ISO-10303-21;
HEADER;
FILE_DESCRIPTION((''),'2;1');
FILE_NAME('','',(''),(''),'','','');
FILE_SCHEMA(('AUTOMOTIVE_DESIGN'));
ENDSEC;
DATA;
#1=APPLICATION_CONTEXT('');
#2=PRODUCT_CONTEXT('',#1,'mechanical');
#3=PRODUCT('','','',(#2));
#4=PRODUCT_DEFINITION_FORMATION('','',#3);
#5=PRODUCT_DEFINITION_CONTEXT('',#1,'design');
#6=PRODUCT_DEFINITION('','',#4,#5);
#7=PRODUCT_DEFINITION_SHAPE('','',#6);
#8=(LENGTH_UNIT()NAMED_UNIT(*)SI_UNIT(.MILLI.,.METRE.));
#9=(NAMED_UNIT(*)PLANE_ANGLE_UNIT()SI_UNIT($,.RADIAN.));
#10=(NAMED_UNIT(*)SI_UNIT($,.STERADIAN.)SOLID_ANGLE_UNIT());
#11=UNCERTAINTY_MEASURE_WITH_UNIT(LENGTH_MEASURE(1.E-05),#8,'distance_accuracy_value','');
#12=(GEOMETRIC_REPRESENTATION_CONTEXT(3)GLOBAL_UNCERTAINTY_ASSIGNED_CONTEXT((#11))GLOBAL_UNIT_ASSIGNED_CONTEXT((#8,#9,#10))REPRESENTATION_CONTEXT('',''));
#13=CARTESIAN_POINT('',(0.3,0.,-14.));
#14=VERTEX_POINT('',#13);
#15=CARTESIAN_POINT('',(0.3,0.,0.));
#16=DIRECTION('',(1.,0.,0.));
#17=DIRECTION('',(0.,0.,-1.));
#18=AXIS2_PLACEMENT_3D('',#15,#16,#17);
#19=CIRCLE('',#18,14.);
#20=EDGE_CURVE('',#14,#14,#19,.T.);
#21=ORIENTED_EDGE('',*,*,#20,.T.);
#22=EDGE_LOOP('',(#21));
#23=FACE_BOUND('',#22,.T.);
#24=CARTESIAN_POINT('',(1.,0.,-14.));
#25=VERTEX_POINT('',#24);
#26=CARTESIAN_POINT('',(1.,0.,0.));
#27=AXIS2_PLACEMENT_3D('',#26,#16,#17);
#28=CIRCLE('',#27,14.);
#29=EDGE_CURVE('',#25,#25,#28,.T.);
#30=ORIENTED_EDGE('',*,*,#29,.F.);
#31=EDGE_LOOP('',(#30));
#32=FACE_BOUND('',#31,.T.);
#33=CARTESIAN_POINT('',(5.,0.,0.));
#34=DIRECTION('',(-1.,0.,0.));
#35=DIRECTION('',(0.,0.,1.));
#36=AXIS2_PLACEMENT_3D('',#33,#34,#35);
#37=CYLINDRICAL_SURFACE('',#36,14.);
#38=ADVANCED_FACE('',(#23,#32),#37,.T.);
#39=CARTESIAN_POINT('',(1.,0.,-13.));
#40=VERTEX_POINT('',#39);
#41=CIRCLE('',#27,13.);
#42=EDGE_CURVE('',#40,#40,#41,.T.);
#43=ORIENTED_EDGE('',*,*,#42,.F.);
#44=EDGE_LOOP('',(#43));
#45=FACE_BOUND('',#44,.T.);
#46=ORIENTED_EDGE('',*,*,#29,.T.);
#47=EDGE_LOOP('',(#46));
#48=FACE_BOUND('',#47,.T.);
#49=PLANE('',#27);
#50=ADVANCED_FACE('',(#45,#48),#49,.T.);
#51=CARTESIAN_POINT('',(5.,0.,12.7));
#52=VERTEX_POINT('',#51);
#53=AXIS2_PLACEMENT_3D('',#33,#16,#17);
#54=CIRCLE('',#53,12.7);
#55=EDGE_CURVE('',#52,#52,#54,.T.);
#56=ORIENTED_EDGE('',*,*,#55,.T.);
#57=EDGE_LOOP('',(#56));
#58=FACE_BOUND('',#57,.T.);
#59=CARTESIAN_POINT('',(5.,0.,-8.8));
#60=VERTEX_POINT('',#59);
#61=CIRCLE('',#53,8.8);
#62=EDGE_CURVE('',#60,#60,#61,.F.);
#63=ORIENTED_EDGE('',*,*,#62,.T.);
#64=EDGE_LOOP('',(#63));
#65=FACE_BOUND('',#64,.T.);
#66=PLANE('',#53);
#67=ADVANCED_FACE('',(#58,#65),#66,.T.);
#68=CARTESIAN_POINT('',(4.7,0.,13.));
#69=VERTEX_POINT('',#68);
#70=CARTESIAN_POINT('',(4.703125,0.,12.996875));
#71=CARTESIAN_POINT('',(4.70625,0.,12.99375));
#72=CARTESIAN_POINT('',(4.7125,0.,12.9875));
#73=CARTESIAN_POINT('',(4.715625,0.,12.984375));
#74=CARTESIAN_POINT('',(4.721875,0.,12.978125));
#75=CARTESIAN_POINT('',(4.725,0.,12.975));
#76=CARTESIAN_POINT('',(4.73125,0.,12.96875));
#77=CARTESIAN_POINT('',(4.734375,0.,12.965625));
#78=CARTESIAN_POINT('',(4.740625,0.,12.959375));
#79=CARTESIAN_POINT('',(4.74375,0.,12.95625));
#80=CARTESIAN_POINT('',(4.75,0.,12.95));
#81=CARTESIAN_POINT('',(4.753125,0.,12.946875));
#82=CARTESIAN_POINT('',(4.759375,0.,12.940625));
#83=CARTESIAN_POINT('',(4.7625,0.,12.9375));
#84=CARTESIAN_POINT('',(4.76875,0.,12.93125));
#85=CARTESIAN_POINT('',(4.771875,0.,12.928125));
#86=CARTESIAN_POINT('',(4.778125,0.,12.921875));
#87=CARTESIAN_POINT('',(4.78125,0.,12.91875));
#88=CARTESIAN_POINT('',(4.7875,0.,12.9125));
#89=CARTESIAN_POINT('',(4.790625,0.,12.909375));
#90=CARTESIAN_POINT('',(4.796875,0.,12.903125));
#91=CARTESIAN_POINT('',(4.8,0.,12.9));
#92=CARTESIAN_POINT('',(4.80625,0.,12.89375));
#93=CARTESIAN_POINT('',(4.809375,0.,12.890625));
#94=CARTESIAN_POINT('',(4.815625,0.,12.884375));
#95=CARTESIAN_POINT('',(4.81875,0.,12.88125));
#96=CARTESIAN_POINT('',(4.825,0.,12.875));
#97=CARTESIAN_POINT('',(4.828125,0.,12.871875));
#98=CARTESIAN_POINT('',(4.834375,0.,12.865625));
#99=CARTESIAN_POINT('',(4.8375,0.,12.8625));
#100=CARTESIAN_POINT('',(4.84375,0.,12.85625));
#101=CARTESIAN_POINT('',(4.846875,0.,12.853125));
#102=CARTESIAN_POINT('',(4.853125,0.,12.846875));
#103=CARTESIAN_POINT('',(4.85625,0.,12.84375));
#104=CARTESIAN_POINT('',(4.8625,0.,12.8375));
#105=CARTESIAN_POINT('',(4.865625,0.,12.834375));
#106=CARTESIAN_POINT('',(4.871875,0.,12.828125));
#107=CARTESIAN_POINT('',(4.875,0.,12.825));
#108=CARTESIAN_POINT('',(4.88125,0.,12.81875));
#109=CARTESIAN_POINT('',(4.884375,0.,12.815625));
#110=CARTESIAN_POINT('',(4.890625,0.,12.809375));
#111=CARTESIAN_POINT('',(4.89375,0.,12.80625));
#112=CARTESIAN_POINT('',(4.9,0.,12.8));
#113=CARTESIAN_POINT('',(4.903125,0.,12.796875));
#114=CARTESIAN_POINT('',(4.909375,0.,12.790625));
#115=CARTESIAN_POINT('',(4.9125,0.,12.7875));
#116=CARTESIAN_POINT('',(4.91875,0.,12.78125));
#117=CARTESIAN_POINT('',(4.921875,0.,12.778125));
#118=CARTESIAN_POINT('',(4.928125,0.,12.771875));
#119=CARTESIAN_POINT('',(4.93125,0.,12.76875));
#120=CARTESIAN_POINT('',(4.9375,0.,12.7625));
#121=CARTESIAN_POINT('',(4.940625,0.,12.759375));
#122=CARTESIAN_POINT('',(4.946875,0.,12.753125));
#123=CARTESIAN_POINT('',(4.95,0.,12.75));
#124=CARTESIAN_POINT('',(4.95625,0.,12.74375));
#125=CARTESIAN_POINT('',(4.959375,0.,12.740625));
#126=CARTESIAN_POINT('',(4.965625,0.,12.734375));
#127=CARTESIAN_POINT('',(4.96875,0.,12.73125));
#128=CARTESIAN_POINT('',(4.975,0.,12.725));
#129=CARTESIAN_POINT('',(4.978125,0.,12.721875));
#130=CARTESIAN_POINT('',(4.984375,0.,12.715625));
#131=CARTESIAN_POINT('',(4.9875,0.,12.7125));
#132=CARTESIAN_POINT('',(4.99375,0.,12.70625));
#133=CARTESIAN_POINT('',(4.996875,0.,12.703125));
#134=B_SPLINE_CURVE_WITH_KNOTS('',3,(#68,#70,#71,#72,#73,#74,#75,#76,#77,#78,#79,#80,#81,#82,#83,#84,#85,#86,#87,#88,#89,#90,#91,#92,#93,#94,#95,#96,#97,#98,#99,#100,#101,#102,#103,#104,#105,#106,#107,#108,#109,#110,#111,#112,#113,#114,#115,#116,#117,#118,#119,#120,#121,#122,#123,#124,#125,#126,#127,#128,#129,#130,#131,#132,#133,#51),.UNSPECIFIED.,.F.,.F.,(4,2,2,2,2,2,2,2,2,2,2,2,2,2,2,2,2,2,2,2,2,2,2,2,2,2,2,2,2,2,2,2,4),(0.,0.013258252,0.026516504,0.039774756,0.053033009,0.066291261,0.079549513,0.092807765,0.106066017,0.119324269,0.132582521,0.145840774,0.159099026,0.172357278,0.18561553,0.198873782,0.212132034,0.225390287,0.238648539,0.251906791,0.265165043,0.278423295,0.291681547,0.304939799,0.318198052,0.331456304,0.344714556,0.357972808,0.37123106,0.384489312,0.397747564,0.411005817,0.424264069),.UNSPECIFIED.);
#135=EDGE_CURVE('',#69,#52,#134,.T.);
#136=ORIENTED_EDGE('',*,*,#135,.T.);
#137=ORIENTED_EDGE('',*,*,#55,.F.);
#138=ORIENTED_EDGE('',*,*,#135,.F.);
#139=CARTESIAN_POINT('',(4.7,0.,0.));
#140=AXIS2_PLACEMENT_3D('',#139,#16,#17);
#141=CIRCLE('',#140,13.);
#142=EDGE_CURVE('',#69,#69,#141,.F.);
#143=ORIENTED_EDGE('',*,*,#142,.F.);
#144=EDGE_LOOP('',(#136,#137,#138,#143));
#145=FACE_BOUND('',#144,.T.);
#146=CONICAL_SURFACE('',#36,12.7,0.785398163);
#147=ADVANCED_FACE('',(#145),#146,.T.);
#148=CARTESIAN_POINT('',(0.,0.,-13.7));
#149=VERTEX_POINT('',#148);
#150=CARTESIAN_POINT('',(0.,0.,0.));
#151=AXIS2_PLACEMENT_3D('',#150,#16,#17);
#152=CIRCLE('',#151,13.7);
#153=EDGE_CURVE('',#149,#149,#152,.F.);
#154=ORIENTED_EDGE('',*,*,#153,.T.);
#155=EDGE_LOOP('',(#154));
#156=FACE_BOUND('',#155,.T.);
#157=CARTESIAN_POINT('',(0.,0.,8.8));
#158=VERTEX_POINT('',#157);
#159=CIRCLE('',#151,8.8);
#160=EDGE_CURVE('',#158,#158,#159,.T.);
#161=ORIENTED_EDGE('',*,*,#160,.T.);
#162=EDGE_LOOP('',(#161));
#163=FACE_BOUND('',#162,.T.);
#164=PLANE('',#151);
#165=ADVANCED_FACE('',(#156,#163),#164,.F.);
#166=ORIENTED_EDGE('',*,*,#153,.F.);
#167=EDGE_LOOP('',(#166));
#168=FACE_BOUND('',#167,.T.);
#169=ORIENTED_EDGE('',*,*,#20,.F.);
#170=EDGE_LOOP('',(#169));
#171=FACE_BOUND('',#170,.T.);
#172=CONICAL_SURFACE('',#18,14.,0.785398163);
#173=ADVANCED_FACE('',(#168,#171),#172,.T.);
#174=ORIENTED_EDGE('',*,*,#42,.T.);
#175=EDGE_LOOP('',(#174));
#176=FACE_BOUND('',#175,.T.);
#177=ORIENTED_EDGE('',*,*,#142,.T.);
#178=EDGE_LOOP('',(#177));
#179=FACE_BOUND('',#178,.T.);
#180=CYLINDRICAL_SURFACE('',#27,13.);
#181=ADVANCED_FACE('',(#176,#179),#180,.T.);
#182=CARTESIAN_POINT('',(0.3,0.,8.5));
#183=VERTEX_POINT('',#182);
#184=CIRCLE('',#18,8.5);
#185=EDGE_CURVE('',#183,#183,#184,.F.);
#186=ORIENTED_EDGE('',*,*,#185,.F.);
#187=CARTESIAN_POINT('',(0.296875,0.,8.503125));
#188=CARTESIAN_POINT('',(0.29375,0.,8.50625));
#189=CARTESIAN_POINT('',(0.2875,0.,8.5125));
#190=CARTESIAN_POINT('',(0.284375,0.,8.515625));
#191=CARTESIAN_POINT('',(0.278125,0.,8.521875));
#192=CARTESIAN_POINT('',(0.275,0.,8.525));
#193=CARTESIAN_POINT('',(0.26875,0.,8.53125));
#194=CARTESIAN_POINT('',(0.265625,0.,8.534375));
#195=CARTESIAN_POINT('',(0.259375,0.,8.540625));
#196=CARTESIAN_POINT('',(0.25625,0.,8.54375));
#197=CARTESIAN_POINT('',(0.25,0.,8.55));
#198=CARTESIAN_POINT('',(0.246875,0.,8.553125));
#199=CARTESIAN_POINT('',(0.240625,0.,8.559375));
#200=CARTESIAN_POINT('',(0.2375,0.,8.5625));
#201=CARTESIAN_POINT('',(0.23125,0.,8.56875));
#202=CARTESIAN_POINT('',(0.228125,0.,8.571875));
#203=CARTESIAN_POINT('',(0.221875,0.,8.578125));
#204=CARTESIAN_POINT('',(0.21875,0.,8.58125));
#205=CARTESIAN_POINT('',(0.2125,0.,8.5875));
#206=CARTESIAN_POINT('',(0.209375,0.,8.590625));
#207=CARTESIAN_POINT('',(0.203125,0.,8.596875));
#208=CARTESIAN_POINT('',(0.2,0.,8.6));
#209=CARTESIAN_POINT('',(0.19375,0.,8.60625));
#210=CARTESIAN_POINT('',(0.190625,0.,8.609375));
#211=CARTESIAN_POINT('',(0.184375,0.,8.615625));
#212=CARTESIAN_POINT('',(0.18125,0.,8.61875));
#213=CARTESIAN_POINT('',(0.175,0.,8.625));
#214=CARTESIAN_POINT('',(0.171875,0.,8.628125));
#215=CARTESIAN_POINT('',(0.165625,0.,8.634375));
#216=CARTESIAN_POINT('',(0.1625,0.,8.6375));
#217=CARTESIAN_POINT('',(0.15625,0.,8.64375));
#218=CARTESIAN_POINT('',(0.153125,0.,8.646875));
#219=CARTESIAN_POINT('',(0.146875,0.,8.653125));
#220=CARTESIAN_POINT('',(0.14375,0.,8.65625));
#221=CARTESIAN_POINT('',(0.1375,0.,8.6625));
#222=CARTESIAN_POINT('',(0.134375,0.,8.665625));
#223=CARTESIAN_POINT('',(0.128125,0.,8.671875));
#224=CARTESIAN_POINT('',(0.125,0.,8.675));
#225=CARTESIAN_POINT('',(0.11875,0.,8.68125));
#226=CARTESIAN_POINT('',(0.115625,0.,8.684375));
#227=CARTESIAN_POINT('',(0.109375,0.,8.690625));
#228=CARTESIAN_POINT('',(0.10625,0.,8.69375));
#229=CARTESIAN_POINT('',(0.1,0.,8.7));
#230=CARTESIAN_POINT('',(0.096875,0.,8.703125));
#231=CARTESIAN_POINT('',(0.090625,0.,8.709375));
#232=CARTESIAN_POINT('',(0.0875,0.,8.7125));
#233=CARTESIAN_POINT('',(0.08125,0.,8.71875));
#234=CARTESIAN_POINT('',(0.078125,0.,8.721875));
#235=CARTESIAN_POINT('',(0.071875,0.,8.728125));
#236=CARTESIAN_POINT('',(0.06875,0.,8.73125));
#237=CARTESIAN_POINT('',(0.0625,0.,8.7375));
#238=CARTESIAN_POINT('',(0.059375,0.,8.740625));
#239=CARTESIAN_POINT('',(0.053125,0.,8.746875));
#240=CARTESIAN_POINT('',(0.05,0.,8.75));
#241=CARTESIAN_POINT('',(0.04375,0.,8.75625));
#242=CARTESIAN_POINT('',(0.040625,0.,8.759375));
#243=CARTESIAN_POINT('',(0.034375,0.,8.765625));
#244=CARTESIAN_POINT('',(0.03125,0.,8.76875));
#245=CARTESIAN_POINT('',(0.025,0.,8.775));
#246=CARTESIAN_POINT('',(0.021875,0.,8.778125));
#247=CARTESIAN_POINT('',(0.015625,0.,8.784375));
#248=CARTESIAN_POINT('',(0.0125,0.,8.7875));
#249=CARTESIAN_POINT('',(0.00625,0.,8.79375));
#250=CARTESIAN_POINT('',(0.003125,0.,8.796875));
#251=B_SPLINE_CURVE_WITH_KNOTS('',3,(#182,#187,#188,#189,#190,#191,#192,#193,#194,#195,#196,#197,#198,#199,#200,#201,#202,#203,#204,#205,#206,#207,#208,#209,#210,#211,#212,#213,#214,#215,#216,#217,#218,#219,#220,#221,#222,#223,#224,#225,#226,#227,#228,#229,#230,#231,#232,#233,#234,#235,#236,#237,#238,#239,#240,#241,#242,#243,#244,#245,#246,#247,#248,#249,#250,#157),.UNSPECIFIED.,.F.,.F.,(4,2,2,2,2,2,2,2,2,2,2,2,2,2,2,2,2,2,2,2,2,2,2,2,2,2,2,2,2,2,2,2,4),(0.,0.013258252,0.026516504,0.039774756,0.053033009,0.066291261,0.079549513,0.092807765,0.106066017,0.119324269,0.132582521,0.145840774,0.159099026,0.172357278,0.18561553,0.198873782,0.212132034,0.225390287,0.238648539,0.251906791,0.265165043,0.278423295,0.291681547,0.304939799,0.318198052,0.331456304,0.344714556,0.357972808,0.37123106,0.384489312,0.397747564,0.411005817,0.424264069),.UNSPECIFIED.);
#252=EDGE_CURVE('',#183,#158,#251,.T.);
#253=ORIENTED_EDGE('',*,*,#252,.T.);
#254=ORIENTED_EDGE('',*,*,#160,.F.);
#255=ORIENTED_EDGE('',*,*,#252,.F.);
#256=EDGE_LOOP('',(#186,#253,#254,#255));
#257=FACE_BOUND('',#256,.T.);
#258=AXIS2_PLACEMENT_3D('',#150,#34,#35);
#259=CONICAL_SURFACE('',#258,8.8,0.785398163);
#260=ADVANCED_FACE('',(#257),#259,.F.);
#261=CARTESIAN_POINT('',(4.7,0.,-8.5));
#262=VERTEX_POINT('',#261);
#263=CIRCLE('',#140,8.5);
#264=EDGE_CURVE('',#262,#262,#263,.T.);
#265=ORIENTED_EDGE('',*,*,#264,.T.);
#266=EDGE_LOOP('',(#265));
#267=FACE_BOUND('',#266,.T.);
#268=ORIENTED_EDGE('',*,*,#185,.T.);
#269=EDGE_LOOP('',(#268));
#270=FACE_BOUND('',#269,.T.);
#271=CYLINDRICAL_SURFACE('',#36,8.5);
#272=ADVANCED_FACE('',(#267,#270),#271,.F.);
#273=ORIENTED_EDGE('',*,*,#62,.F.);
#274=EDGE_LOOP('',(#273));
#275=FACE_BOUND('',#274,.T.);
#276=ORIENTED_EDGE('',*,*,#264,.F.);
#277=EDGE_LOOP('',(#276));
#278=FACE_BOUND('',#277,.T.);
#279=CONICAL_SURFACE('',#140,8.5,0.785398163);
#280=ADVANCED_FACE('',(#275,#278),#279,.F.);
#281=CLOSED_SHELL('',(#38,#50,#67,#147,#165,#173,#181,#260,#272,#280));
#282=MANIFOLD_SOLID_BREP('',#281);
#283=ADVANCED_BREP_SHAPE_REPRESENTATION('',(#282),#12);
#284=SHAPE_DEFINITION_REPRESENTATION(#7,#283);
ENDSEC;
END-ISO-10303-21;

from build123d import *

# Parameters (mm, degrees)
SKETCH_1_R          = 14
SKETCH_1_R_2        = 8.5
EXTRUDE_1_DEPTH     = 5
SKETCH_2_R          = 16.127190563
SKETCH_2_R_2        = 13
CUT_EXTRUDE_1_DEPTH = 4
CHAMFER_1_SIZE      = 0.3


with BuildPart() as part:
    # 草图1 → 凸台-拉伸1 (new body)
    with BuildSketch(Plane(origin=(0, 0, 0), x_dir=(0, 0, -1), z_dir=(1, 0, 0))):
        Circle(SKETCH_1_R)
        Circle(SKETCH_1_R_2, mode=Mode.SUBTRACT)
    extrude(amount=EXTRUDE_1_DEPTH)

    # 草图2 → 切除-拉伸1 (cut)
    with BuildSketch(Plane(origin=(5, 0, 0), x_dir=(0, 0, -1), z_dir=(1, 0, 0))):
        Circle(SKETCH_2_R)
        Circle(SKETCH_2_R_2, mode=Mode.SUBTRACT)
    extrude(amount=-CUT_EXTRUDE_1_DEPTH, mode=Mode.SUBTRACT)

    # 倒角1
    chamfer_1_edges = [part.edges().sort_by_distance(p)[0] for p in [
        (5, 0, 13),
        (0, 0, 14),
        (0, 0, 8.5),
        (5, 0, 8.5),
    ]]
    chamfer(chamfer_1_edges, length=CHAMFER_1_SIZE)


solid = part.part
